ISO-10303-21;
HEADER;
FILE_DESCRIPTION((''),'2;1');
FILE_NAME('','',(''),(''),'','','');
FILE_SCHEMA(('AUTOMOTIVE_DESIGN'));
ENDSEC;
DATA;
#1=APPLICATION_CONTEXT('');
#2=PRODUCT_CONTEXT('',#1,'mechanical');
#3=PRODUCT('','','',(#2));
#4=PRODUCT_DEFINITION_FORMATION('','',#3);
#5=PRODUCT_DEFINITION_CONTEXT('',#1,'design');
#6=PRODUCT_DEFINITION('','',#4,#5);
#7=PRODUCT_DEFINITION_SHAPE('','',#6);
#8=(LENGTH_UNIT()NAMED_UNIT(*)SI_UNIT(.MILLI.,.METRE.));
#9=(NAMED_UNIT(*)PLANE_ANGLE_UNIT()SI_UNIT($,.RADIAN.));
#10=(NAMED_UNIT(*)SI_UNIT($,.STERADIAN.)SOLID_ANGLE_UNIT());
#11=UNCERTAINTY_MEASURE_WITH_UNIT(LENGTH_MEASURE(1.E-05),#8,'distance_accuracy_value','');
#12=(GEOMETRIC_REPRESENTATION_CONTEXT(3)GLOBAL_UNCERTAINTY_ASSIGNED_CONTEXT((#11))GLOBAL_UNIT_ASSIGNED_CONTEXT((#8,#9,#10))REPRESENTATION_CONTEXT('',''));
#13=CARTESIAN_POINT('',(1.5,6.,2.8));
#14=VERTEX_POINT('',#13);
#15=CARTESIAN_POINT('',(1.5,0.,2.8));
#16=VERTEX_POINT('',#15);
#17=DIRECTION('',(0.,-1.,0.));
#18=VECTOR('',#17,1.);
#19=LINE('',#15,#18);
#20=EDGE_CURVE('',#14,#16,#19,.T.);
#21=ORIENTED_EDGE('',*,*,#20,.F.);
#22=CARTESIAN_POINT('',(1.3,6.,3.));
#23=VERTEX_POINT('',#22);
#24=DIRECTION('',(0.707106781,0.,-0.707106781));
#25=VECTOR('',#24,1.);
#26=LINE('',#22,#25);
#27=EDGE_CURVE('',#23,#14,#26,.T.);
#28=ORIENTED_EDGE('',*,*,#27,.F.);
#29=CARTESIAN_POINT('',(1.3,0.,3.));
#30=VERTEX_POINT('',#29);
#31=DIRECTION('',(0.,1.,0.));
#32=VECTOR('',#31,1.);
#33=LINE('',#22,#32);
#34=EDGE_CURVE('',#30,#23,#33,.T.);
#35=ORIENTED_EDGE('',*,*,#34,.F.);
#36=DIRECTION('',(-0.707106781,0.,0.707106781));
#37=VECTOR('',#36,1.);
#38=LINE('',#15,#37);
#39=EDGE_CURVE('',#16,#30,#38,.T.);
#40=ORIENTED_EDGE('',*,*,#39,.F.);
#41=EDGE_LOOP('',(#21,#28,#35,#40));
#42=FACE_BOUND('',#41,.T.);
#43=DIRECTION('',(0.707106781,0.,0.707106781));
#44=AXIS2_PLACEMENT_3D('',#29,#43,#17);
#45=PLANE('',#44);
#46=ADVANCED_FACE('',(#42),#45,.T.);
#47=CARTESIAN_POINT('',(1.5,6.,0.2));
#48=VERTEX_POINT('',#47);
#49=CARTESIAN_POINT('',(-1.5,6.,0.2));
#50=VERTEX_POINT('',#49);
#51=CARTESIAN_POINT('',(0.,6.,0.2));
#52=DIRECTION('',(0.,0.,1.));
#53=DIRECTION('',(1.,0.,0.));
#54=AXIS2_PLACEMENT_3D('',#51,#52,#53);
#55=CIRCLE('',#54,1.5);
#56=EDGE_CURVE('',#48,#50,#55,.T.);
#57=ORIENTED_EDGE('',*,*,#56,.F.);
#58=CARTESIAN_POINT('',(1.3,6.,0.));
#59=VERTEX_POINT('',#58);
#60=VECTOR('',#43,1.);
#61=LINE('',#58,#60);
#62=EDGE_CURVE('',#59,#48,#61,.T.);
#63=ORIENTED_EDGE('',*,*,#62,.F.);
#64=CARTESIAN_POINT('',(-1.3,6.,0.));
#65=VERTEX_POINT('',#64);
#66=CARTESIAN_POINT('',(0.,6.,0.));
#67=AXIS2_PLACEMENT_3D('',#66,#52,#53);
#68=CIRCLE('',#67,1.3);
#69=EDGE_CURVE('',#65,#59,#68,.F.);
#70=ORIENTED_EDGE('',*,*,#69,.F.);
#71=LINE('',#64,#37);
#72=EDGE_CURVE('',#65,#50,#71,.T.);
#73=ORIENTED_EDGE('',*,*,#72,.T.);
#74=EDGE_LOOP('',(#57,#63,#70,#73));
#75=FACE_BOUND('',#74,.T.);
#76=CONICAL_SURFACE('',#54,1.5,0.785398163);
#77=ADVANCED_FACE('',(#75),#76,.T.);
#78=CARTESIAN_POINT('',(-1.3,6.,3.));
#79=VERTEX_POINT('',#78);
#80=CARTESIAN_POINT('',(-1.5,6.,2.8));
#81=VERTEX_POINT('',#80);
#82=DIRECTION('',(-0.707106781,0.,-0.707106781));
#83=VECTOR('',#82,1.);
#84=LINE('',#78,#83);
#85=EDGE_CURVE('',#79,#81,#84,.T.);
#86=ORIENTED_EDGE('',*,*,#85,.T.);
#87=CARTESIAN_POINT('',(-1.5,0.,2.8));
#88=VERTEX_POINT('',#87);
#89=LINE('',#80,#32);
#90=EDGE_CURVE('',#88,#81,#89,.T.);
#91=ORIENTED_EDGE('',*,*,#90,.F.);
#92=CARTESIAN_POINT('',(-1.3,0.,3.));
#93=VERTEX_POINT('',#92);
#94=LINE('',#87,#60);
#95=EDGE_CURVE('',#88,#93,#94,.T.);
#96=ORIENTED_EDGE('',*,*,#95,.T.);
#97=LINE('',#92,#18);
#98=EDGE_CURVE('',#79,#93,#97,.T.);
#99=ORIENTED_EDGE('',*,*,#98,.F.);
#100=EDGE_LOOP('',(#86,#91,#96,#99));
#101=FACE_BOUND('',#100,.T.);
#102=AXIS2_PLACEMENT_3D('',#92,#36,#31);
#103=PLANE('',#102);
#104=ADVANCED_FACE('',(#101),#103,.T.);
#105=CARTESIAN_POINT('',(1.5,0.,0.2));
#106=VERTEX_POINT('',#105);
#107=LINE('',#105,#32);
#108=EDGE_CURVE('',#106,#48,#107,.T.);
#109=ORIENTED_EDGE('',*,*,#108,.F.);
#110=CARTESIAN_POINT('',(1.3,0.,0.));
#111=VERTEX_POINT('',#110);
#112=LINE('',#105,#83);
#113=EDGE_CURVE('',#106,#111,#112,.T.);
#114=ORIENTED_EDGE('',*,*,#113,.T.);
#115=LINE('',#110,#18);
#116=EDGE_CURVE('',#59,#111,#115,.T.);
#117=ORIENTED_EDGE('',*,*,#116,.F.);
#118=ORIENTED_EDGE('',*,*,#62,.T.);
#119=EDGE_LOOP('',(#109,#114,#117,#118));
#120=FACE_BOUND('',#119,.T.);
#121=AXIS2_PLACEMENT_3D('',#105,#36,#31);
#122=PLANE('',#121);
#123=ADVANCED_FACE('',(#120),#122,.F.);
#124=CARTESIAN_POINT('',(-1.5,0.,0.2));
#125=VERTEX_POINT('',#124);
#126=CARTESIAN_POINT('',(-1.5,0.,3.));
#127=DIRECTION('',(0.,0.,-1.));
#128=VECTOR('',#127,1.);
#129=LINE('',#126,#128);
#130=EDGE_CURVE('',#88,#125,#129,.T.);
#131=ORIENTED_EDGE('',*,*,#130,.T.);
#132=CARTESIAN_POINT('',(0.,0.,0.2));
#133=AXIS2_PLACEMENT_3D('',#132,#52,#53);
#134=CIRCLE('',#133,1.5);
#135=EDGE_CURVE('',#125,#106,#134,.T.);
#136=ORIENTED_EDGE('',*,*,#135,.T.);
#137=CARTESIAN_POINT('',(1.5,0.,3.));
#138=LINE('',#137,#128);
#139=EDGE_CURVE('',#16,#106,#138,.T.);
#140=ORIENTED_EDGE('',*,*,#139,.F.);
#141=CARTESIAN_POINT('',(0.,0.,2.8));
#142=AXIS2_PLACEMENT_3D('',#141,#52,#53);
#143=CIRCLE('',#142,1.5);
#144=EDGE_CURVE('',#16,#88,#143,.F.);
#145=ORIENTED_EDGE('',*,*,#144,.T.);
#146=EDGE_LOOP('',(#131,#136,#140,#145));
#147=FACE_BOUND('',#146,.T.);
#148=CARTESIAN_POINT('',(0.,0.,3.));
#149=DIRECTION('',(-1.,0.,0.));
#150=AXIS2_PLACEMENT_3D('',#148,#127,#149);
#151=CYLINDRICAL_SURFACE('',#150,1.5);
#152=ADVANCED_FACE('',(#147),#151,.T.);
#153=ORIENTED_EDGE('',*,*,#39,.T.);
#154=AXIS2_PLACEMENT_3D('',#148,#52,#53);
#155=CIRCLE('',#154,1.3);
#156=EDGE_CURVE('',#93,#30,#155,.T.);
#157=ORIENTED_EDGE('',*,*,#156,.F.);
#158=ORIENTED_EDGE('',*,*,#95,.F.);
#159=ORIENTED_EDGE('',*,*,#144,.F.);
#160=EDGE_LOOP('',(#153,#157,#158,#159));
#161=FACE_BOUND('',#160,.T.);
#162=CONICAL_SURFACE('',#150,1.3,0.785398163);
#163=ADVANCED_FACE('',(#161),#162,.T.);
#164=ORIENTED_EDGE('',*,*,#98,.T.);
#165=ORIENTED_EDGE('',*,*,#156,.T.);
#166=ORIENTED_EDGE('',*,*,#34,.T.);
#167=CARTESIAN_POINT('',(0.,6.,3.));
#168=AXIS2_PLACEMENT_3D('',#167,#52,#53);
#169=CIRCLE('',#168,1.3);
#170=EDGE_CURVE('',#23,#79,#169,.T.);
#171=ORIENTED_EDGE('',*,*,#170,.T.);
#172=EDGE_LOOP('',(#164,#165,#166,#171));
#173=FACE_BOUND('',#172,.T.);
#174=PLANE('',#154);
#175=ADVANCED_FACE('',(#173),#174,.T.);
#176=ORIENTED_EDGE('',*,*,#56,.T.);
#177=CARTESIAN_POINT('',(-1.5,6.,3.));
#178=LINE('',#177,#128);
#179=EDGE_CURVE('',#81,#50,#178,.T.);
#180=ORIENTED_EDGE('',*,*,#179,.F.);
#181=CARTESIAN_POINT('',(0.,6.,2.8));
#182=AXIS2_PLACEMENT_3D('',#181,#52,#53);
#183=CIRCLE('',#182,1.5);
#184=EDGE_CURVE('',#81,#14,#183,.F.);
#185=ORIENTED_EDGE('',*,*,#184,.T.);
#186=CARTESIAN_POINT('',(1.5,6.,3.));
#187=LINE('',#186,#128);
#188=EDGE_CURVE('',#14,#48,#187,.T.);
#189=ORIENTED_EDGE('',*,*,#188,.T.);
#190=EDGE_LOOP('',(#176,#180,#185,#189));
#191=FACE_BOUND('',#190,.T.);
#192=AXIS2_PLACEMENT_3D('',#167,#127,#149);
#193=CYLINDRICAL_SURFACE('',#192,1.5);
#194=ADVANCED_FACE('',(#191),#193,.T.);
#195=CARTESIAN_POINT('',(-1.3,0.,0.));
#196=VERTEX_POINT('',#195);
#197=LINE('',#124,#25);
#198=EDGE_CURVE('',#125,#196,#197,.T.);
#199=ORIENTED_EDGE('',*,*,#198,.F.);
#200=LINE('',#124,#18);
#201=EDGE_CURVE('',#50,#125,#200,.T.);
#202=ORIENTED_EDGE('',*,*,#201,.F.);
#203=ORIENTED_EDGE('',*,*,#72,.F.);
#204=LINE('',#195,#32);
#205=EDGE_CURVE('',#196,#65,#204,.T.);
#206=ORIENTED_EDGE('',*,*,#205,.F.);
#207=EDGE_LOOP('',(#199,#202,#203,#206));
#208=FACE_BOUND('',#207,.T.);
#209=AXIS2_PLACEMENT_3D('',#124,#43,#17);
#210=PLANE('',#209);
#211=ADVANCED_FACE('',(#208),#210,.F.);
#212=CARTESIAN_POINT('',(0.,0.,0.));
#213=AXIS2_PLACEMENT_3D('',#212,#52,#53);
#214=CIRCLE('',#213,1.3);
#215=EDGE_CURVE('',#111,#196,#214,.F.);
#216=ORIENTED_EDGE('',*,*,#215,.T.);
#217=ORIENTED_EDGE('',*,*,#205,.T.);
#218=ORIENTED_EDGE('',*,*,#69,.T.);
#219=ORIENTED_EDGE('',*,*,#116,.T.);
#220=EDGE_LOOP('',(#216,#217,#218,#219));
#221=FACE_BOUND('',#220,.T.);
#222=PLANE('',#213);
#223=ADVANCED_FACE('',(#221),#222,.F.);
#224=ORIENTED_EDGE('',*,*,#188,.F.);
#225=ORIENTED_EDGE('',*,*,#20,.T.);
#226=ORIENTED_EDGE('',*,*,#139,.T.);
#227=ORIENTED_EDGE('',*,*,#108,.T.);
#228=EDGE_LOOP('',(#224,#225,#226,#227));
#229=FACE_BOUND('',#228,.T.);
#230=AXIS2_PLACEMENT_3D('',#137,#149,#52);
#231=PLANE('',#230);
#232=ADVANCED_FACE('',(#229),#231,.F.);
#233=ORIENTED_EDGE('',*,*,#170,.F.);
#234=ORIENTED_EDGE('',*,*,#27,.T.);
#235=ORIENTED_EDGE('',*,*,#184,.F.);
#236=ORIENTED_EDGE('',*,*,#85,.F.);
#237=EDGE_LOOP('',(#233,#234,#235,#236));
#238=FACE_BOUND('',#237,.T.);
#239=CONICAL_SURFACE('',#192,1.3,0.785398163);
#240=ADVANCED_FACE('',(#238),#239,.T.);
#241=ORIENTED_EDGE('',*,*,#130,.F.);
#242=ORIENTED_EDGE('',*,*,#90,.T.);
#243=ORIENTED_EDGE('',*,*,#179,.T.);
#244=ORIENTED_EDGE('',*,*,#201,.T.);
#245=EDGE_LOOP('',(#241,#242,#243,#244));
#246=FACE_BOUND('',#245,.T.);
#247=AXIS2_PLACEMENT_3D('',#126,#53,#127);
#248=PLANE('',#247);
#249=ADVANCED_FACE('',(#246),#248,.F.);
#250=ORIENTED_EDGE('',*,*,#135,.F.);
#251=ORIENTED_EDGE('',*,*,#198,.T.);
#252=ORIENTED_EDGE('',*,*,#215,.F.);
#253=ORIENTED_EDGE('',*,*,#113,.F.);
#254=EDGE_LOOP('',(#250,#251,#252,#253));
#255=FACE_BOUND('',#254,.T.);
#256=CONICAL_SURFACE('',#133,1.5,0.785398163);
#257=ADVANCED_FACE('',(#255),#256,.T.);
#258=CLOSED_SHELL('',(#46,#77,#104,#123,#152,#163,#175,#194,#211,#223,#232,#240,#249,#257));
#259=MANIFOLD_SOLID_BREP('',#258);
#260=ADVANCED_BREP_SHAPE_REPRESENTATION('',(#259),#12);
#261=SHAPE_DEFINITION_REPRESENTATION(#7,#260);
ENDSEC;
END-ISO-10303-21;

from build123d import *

# Parameters (mm, degrees)
BOSS_EXTRUDE2_DEPTH = 3
CHAMFER3_SIZE       = 0.2


with BuildPart() as part:
    # Sketch2 → Boss-Extrude2 (new body)
    with BuildSketch(Plane.XY):
        with BuildLine():
            Line((-1.5, 0), (-1.5, 6))
            ThreePointArc((-1.5, 6), (0, 7.5), (1.5, 6))
            Line((1.5, 6), (1.5, 0))
            ThreePointArc((1.5, 0), (0, -1.5), (-1.5, 0))
        make_face()
    extrude(amount=BOSS_EXTRUDE2_DEPTH)

    # Chamfer3
    chamfer3_edges = [part.edges().sort_by_distance(p)[0] for p in [
        (0, 7.5, 3),
        (-1.5, 3, 3),
        (0, -1.5, 3),
        (-1.5, 3, 0),
        (0, 7.5, 0),
        (1.5, 3, 0),
        (0, -1.5, 0),
        (1.5, 3, 3),
    ]]
    chamfer(chamfer3_edges, length=CHAMFER3_SIZE)


solid = part.part
